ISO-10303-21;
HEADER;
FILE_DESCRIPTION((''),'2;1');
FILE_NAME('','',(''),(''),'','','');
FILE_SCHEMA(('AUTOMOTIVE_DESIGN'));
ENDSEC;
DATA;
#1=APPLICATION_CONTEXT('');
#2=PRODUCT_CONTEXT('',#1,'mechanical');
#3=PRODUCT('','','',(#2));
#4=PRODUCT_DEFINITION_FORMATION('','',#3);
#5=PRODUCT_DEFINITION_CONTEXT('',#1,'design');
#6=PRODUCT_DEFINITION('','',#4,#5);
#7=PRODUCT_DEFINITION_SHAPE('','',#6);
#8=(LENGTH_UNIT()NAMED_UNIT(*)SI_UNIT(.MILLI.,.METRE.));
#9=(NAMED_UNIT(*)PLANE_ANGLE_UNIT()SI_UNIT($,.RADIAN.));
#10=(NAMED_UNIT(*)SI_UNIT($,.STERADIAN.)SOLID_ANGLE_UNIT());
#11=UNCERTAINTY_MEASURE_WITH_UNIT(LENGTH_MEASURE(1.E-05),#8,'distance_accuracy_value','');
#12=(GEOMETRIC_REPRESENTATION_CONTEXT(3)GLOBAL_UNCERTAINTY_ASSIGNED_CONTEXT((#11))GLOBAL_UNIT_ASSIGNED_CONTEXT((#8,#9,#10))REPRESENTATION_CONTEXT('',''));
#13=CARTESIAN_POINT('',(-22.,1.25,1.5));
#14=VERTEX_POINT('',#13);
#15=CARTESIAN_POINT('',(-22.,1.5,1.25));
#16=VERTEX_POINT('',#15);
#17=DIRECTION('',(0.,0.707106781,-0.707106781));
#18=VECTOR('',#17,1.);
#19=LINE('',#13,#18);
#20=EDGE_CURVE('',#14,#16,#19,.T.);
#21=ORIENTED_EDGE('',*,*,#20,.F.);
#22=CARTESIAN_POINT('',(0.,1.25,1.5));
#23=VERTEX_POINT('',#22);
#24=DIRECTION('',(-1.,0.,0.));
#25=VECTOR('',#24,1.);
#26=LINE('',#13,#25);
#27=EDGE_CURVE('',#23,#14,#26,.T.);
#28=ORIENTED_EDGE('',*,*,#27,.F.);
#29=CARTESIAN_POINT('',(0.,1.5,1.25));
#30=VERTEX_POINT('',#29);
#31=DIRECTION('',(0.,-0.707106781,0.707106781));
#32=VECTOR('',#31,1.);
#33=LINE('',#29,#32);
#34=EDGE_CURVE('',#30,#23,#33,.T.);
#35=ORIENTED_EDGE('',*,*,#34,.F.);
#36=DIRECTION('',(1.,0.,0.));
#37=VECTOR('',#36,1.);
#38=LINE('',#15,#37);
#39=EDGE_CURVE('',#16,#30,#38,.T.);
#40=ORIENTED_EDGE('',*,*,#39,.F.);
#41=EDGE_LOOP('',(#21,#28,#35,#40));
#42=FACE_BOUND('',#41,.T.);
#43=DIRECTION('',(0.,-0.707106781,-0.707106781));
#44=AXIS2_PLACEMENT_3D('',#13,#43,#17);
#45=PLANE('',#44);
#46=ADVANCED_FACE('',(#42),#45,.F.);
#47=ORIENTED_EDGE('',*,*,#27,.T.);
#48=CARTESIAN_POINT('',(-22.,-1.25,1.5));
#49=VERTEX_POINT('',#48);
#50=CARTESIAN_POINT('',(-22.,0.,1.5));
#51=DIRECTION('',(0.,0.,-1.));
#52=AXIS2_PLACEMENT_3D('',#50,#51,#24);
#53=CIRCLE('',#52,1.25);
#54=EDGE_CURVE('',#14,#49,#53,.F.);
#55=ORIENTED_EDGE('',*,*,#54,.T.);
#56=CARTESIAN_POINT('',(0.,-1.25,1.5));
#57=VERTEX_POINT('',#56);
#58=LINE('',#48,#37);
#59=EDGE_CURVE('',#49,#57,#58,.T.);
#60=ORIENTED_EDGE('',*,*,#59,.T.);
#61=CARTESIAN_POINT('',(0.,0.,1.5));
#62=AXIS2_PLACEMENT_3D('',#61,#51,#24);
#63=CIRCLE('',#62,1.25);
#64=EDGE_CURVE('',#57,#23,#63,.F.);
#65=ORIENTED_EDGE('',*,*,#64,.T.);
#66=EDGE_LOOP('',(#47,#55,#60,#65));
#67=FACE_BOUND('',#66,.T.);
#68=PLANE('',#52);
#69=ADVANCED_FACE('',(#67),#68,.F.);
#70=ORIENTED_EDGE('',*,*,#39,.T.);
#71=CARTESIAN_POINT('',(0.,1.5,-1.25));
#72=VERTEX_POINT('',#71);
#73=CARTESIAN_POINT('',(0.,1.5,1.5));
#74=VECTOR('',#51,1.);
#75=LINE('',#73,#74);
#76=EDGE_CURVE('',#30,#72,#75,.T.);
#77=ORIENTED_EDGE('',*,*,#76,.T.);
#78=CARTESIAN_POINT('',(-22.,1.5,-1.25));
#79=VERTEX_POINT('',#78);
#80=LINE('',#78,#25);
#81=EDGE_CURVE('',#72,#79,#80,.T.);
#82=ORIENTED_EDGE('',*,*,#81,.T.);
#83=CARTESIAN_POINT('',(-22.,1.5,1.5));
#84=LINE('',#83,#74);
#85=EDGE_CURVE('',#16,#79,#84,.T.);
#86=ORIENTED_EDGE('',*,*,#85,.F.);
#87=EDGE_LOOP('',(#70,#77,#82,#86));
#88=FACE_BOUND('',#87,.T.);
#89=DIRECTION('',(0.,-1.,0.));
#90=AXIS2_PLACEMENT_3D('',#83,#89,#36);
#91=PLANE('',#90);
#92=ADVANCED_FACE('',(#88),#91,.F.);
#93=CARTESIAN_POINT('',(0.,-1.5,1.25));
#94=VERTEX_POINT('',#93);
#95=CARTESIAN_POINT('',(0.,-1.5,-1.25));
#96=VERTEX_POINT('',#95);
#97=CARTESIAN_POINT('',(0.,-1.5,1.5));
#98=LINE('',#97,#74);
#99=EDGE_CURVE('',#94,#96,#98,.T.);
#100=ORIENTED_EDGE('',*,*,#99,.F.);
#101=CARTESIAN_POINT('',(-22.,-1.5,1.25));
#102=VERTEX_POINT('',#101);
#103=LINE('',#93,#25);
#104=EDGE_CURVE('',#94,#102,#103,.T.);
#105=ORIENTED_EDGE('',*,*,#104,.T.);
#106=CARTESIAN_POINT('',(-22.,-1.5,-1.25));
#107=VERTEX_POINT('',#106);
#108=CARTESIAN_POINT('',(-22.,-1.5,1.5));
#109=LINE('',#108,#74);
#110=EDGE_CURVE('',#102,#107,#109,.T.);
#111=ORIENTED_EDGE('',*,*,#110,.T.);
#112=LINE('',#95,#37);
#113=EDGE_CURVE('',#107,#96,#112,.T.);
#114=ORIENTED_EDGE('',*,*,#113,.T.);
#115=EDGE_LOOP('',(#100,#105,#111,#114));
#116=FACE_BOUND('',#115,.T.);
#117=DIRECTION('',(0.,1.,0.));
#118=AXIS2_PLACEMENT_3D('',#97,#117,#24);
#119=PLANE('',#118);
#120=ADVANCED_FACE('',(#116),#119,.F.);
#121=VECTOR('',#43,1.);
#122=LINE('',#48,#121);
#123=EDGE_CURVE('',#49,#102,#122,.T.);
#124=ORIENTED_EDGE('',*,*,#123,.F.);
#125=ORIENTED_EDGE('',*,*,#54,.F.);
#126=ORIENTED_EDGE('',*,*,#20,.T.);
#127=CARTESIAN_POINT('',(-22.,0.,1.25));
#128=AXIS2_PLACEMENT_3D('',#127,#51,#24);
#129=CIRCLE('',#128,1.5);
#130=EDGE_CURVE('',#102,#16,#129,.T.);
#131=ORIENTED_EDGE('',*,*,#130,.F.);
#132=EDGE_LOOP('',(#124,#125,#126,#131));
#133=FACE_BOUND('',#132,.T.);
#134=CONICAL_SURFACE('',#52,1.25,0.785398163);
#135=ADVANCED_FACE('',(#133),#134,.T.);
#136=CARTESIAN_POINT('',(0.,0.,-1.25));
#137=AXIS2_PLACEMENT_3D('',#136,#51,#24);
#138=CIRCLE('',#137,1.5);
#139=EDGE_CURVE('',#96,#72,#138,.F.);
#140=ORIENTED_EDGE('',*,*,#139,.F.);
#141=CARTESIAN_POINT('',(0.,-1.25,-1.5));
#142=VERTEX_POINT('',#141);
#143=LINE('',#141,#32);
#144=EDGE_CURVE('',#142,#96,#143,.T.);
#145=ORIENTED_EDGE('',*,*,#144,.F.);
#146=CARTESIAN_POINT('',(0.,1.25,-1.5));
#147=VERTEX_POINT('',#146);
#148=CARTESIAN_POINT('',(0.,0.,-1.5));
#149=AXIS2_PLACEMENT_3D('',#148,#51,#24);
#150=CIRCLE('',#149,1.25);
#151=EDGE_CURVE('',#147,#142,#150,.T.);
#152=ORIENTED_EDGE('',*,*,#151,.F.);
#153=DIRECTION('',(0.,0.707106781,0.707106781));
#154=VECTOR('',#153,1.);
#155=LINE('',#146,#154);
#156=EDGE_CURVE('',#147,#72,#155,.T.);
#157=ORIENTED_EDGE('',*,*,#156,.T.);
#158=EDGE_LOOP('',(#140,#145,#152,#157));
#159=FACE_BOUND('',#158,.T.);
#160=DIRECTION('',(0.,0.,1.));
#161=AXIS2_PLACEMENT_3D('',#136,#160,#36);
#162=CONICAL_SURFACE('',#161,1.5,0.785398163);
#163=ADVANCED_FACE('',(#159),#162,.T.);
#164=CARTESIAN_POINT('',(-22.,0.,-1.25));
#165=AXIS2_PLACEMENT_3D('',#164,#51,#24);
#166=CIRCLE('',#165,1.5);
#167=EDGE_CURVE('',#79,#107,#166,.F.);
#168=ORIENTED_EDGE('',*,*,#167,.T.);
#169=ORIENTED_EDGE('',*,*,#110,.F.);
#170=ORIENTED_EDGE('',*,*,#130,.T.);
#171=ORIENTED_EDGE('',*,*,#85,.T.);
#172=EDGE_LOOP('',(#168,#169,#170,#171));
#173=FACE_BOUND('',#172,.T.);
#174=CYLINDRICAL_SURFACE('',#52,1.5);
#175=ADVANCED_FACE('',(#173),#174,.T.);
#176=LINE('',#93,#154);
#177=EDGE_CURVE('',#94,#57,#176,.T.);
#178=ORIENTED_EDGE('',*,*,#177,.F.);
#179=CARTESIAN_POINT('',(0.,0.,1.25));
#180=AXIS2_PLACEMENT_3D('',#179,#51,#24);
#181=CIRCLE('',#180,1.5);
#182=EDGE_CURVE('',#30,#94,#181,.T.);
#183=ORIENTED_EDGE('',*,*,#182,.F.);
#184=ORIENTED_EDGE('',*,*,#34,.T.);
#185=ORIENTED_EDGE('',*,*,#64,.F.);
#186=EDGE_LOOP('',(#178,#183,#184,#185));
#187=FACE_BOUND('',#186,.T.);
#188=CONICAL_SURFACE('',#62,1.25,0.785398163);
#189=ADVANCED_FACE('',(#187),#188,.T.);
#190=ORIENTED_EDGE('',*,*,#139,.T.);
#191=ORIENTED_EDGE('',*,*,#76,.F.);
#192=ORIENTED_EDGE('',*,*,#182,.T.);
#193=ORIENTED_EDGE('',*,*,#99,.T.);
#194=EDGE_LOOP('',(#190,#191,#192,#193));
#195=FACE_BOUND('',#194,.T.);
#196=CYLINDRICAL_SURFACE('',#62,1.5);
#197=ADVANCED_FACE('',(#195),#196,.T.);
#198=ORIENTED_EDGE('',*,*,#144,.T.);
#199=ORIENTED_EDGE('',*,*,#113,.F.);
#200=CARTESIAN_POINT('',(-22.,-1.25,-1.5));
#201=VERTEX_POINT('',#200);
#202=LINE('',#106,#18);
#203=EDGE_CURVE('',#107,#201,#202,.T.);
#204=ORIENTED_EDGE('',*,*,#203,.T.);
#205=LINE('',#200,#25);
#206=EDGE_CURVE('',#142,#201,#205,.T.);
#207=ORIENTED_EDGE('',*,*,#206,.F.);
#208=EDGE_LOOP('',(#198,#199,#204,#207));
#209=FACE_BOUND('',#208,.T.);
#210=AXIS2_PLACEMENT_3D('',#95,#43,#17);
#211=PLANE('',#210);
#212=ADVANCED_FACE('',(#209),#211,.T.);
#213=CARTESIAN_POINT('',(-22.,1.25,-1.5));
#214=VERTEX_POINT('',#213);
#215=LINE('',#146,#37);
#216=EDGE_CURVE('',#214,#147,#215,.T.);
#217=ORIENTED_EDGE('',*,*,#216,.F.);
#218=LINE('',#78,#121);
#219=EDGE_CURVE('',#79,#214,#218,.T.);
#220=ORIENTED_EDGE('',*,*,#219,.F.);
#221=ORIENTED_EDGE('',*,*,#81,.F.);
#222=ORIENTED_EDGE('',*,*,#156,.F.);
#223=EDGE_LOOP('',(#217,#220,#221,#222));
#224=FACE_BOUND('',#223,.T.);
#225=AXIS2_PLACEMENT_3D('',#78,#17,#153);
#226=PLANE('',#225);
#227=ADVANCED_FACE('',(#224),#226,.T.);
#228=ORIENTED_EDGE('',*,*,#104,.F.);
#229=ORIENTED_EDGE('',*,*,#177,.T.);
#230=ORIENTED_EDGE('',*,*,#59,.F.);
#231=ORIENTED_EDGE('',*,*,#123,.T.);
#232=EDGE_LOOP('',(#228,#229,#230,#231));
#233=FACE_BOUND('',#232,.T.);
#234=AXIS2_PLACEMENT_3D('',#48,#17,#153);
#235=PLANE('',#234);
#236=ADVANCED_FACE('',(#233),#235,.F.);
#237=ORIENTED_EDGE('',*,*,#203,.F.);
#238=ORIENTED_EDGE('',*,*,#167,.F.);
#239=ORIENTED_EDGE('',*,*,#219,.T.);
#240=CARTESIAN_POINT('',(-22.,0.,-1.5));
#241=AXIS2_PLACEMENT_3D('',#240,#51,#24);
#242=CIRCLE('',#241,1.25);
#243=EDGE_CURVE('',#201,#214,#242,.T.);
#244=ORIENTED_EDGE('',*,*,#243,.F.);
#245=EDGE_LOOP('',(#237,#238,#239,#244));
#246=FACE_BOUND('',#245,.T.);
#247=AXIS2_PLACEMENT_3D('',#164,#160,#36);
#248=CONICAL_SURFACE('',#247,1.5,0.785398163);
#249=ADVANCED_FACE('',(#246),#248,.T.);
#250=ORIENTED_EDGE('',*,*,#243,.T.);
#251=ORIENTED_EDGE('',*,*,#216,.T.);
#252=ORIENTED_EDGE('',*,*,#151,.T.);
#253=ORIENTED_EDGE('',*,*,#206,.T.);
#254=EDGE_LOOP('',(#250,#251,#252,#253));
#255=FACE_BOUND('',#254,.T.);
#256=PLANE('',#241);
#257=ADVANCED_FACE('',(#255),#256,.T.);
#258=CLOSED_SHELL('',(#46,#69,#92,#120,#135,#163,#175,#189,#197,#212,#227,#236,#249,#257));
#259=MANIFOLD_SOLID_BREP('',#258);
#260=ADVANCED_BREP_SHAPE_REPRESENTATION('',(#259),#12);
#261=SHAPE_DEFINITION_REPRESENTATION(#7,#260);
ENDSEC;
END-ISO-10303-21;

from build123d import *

# Parameters (mm, degrees)
BASEKEY_DEPTH = 1.5
CHAMFER1_SIZE = 0.25


with BuildPart() as part:
    # Sketch1 → BaseKey (new, symmetric)
    with BuildSketch(Plane.XY):
        with BuildLine():
            Line((-22, 1.5), (0, 1.5))
            ThreePointArc((0, 1.5), (1.5, 0), (0, -1.5))
            Line((0, -1.5), (-22, -1.5))
            ThreePointArc((-22, -1.5), (-23.5, 0), (-22, 1.5))
        make_face()
    extrude(amount=BASEKEY_DEPTH, both=True)

    # Chamfer1
    chamfer1_edges = [part.edges().sort_by_distance(p)[0] for p in [
        (1.5, 0, 1.5),
        (-11, 1.5, 1.5),
        (-23.5, 0, 1.5),
        (-11, 1.5, -1.5),
        (1.5, 0, -1.5),
        (-11, -1.5, -1.5),
        (-23.5, 0, -1.5),
        (-11, -1.5, 1.5),
    ]]
    chamfer(chamfer1_edges, length=CHAMFER1_SIZE)


solid = part.part
